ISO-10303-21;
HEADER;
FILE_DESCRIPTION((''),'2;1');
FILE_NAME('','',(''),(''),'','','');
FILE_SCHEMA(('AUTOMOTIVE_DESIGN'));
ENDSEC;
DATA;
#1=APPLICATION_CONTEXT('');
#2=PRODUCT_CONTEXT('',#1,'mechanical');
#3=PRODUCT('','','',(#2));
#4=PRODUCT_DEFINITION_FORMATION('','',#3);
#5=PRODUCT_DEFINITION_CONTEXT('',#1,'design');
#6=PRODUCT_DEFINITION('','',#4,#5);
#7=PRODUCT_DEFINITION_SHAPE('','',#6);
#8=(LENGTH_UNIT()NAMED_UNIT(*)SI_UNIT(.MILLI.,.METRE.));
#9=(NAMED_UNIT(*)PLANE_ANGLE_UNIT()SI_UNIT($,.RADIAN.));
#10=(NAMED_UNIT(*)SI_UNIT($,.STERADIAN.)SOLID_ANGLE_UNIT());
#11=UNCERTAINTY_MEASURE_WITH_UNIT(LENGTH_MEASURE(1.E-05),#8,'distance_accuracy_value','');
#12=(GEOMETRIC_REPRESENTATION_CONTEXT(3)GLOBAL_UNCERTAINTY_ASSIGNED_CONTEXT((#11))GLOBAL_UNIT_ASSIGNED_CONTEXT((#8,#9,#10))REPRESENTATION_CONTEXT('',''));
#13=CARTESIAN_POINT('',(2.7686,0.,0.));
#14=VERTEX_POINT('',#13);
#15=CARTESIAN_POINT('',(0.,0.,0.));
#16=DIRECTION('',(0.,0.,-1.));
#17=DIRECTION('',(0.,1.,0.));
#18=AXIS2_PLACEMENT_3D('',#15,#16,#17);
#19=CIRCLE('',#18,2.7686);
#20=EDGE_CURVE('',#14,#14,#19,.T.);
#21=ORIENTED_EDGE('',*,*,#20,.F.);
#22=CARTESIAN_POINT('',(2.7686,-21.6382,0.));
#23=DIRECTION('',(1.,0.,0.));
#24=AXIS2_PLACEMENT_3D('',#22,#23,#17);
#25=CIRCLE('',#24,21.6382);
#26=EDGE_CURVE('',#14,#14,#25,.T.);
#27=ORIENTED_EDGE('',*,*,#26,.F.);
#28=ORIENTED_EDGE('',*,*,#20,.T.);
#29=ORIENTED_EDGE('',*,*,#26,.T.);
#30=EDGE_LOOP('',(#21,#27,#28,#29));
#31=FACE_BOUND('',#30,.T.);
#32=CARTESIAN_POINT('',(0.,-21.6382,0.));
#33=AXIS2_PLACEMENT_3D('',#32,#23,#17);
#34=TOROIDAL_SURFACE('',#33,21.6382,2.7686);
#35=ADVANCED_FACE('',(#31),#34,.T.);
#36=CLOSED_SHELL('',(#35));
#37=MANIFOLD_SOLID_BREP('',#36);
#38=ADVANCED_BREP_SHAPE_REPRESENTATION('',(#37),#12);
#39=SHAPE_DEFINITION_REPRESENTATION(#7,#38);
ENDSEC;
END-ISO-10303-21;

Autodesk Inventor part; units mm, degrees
ref_plane "YZ Plane" through (0, 0, 0) normal (1, 0, 0) x (0, 1, 0)
ref_plane "XZ Plane" through (0, 0, 0) normal (0, 1, 0) x (-1, 0, 0)
ref_plane "XY Plane" through (0, 0, 0) normal (0, 0, 1) x (1, 0, 0)
sketch "Sketch1" plane through (0, 0, 0) normal (0, 0, 1) x (1, 0, 0)
  circle A0 centre (0, 0) radius 2.7686
  dimension "d0" = 5.5372
sketch "Sketch2" plane through (0, 0, 0) normal (1, 0, 0) x (0, 1, 0)
  circle A0 centre (-21.6382, 0) radius 21.59
  point P0 (0, 0)
  dimension "d1" = 43.18
sweep "Sweep1" add profiles "Sketch1" path "Sketch2"
properties part number "O Ring"
